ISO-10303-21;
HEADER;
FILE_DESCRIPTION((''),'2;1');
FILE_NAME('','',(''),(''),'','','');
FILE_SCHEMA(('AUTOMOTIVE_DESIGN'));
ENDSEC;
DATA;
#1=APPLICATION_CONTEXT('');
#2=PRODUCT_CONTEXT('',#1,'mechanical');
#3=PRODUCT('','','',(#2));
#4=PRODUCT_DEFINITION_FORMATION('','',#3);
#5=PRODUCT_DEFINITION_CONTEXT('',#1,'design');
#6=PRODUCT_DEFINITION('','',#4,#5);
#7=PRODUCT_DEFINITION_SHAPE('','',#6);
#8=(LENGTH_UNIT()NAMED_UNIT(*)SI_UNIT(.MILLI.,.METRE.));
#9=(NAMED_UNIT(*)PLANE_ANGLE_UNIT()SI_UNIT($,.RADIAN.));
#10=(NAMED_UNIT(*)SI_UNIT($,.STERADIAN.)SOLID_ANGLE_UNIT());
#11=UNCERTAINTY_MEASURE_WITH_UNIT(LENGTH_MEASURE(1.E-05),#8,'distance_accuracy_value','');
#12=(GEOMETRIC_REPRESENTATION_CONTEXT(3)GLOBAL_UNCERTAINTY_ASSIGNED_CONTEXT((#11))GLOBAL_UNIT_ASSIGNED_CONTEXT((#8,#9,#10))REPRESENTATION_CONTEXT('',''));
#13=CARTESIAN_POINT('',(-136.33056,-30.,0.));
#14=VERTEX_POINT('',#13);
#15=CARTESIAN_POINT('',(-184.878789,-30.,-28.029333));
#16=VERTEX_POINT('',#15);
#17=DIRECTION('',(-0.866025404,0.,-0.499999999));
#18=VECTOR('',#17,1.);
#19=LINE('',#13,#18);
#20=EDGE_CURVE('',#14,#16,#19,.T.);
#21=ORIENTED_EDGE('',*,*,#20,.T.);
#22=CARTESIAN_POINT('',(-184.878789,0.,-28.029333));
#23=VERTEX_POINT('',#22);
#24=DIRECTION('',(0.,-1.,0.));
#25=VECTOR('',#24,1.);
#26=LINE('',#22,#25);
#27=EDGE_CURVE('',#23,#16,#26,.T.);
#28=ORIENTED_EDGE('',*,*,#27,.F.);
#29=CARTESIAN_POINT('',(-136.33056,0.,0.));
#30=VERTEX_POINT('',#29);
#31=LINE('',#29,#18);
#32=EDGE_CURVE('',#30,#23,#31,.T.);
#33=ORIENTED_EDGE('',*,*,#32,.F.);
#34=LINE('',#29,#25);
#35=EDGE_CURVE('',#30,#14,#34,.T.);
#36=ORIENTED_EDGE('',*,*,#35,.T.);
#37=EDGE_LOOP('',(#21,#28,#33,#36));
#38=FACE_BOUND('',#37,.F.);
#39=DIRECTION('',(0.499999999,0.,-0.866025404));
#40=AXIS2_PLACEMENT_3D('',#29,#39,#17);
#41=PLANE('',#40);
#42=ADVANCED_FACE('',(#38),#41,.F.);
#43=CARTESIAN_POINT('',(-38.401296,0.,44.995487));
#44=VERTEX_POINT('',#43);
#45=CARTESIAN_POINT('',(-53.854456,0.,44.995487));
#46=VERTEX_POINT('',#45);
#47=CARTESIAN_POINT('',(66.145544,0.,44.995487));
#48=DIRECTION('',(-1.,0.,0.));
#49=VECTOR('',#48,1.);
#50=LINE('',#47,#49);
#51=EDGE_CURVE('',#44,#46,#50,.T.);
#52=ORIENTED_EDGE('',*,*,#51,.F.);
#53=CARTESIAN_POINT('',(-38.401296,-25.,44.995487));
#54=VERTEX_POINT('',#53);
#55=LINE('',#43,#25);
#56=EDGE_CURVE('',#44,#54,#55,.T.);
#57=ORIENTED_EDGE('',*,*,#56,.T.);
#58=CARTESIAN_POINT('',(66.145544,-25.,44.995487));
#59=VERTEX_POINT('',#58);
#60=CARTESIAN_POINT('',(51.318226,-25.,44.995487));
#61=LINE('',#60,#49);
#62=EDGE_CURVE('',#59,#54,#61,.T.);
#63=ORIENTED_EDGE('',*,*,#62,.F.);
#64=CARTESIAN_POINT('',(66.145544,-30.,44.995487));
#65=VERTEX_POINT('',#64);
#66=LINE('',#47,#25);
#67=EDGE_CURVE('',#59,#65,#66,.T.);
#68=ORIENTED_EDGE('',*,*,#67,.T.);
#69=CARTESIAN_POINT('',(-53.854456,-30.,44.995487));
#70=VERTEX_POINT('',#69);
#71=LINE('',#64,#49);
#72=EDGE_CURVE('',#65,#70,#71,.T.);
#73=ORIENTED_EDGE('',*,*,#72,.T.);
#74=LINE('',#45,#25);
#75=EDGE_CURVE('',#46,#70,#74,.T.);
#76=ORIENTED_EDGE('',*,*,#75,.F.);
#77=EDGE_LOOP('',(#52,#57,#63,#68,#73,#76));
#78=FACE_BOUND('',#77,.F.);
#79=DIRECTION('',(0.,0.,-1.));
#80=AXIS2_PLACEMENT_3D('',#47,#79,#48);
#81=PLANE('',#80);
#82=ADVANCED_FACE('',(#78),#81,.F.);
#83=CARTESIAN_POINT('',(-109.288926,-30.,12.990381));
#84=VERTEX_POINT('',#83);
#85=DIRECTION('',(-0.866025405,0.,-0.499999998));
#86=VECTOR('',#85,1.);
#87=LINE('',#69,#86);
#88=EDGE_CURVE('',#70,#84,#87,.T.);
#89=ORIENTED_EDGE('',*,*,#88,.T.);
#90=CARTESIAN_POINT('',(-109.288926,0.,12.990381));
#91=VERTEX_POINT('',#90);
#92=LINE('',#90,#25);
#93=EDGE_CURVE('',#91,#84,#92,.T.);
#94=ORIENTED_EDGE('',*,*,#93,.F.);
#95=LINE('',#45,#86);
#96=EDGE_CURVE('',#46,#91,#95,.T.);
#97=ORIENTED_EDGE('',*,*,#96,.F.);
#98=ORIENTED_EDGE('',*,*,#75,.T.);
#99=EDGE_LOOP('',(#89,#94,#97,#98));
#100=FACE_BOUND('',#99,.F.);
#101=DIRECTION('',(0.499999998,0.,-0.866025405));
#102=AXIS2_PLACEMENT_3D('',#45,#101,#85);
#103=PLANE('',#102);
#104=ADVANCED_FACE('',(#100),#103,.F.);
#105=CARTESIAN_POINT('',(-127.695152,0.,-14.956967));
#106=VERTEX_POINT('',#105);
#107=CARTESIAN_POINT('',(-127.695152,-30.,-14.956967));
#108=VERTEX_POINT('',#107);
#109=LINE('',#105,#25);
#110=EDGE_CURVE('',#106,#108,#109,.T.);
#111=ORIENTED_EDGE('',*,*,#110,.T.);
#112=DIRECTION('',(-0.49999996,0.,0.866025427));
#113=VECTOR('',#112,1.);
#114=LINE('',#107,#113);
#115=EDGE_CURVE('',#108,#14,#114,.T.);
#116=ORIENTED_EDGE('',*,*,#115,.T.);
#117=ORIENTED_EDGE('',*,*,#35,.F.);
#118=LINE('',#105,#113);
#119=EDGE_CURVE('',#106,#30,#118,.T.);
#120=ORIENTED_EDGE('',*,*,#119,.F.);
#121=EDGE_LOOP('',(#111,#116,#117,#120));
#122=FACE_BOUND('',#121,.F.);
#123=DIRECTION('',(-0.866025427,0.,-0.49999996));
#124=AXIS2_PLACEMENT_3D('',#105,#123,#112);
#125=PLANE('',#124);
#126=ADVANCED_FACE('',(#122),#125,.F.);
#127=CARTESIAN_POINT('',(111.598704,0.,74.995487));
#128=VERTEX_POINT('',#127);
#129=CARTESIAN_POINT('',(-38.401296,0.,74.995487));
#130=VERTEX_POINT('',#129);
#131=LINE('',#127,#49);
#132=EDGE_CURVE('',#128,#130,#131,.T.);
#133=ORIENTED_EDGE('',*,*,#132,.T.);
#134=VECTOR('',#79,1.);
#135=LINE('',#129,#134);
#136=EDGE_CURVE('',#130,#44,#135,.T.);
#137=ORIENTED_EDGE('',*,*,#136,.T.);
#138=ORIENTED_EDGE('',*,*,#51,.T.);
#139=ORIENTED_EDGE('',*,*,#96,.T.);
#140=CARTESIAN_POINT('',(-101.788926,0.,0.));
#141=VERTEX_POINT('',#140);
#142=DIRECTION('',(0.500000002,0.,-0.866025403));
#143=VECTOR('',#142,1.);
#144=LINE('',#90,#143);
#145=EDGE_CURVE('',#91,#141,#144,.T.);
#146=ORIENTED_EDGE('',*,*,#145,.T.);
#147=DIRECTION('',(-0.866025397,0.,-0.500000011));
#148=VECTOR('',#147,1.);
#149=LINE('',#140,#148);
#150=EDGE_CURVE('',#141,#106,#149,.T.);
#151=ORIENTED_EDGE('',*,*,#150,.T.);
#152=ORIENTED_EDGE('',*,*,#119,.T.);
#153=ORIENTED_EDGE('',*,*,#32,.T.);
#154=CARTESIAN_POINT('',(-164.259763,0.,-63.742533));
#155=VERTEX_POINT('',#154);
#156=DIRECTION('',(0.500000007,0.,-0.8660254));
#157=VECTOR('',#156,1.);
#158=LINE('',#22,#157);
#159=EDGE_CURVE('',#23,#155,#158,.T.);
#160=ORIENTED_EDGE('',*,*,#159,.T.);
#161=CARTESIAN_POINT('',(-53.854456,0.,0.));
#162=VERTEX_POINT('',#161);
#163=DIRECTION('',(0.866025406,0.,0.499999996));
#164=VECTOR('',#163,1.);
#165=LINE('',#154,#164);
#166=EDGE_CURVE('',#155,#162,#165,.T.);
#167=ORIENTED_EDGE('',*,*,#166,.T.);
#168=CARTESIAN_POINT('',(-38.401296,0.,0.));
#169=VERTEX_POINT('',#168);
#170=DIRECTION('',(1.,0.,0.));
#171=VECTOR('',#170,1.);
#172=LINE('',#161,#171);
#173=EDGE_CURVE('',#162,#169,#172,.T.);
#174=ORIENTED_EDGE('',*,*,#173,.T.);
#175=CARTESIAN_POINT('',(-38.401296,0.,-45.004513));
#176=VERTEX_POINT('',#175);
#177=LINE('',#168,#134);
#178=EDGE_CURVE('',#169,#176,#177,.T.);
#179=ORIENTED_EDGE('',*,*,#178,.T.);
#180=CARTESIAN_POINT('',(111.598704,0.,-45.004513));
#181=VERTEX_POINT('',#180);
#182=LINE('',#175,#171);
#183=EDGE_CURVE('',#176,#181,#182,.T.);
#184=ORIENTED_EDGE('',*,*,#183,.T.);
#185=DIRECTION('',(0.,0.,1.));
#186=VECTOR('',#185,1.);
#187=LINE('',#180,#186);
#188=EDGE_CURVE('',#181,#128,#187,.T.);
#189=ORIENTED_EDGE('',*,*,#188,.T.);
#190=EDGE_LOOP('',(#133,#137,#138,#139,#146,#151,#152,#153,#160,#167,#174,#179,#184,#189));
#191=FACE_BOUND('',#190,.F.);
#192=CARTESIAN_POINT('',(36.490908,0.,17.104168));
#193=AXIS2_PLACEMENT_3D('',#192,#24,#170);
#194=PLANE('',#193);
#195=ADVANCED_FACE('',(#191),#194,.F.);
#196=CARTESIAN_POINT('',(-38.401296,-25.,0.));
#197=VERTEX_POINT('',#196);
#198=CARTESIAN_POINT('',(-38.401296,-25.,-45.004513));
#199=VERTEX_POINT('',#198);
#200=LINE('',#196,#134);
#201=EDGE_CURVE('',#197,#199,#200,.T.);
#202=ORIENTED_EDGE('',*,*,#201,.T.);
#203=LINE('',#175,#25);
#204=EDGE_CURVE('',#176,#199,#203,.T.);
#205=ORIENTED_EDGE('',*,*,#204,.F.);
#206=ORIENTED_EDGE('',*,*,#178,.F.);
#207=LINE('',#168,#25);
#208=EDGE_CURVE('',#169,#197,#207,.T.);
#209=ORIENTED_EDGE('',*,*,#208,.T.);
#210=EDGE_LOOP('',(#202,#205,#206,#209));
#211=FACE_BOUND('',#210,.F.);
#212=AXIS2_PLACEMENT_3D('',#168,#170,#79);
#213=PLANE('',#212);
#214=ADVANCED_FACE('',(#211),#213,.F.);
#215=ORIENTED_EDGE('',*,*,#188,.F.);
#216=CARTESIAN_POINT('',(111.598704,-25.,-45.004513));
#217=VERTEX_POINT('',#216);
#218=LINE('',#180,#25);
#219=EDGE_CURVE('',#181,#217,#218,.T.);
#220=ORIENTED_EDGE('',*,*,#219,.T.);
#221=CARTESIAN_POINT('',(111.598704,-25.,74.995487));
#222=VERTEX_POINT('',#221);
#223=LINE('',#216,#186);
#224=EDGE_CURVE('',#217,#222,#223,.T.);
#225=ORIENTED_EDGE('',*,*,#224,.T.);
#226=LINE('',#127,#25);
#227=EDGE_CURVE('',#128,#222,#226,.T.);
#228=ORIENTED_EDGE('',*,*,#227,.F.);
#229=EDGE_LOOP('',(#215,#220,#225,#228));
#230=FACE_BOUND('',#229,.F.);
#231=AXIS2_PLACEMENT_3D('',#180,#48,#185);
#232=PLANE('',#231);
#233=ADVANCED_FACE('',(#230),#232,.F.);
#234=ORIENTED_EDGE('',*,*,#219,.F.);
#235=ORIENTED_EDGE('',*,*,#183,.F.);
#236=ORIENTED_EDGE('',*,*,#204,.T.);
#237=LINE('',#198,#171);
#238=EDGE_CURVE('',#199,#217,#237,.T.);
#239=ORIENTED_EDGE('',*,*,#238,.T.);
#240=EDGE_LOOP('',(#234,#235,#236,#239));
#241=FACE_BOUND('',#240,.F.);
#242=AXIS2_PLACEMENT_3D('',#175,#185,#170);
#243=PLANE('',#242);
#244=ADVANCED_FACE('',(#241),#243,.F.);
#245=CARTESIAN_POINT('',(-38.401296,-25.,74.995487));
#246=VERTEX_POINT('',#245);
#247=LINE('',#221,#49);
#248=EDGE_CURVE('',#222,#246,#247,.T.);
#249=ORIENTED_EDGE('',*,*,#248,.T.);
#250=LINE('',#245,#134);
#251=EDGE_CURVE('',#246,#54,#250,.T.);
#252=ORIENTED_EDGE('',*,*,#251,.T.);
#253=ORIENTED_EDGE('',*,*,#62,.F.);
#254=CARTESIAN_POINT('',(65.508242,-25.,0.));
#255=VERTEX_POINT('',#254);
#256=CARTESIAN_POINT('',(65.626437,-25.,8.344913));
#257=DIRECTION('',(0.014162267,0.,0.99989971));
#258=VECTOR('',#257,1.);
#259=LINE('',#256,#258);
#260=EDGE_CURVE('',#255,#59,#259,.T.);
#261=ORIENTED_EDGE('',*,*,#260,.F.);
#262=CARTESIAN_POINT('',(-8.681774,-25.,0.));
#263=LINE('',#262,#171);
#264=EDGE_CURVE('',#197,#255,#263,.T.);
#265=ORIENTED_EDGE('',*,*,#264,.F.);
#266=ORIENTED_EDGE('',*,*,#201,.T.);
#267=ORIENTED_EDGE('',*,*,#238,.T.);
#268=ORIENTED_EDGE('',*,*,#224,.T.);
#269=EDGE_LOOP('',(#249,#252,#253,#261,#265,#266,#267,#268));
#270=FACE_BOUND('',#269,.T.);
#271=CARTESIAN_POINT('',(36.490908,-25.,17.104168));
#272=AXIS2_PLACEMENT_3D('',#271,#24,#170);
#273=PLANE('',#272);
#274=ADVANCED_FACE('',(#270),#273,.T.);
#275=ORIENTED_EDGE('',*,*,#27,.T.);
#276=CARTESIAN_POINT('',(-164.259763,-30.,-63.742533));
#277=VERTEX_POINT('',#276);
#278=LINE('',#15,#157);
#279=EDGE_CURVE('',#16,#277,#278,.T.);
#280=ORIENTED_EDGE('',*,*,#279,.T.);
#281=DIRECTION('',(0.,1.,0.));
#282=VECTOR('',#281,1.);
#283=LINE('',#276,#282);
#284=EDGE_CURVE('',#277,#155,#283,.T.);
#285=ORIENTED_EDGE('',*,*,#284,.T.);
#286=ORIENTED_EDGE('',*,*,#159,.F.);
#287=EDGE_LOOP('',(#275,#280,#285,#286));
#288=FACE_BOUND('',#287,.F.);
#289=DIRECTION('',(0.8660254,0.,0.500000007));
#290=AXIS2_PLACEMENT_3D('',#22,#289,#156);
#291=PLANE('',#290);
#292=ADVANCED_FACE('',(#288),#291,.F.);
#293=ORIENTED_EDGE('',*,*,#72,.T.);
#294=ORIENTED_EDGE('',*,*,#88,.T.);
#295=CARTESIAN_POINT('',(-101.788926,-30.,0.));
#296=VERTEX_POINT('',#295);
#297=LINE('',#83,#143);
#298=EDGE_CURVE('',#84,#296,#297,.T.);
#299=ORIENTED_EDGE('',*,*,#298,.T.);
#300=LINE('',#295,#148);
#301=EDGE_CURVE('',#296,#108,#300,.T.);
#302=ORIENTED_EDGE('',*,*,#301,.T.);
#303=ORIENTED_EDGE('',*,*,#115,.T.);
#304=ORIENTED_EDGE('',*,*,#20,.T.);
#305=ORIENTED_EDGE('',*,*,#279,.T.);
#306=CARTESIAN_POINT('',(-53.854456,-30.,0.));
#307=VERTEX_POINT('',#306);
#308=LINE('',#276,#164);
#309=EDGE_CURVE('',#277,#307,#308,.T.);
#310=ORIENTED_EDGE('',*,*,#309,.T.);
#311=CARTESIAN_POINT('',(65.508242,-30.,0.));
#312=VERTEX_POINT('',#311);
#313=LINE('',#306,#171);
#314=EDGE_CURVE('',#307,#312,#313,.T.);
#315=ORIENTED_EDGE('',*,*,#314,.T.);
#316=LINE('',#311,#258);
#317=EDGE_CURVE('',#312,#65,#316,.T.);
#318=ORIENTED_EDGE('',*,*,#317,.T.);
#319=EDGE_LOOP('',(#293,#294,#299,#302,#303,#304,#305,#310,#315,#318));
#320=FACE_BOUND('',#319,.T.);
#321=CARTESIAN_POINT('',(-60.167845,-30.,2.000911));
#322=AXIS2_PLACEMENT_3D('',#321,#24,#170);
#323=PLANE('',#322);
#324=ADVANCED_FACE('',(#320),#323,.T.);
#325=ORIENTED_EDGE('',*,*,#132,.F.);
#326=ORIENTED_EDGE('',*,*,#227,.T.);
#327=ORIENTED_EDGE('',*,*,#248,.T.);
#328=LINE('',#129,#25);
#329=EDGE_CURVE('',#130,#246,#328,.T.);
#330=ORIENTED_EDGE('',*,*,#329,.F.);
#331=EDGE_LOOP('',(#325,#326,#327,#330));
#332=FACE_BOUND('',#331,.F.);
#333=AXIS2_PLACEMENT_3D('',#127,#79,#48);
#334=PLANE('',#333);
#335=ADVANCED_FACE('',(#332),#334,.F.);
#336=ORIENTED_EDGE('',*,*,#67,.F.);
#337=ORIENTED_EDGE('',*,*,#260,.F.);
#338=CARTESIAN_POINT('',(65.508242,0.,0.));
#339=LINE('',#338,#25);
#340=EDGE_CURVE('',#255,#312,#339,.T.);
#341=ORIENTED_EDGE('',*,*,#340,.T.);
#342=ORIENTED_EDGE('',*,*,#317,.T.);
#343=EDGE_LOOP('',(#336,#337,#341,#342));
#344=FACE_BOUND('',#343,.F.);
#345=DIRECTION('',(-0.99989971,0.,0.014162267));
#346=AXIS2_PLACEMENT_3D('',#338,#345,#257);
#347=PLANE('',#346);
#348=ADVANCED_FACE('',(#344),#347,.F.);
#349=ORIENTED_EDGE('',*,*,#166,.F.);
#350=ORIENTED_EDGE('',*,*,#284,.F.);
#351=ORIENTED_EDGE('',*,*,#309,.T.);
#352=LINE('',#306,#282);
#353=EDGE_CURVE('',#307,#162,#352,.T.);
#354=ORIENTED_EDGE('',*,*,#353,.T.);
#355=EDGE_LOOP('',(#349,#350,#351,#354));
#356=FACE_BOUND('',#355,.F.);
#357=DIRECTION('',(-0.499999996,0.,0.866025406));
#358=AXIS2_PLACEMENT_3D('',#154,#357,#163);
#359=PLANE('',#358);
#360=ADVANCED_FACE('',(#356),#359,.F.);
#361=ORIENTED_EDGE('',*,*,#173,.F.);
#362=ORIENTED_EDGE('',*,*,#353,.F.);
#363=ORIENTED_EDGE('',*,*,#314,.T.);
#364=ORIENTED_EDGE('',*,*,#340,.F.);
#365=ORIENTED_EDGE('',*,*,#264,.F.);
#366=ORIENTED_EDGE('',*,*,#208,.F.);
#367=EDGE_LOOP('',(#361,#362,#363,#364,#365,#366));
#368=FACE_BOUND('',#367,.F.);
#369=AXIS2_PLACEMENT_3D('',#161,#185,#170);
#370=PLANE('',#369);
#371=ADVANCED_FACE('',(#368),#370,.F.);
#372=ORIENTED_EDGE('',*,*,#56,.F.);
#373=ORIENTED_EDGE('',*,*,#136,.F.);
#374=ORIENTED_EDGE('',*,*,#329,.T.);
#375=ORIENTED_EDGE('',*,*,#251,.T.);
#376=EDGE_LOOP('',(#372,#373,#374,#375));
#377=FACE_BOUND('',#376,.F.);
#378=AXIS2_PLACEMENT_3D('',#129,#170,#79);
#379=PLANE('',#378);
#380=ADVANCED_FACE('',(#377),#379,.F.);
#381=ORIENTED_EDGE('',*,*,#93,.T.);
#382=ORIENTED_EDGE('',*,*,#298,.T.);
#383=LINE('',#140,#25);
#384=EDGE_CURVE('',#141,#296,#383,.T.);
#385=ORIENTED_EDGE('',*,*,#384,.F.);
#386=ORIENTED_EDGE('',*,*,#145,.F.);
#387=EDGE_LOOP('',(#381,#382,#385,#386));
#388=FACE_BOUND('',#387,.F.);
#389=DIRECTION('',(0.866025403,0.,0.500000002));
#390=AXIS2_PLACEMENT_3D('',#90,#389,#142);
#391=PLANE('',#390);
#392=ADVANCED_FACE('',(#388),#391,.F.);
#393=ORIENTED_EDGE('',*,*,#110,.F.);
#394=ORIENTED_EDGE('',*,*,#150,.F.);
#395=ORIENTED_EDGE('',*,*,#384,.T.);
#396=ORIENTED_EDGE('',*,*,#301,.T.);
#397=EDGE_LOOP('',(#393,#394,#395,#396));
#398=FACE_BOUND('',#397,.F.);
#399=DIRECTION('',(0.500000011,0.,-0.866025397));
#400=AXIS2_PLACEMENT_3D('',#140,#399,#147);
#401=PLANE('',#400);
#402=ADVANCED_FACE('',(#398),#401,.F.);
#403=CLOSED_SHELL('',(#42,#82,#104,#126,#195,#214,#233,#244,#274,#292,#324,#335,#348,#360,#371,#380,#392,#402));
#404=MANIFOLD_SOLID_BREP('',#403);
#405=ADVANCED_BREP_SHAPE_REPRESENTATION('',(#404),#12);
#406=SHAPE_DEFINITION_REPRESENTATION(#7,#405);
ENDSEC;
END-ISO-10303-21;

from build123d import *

# Parameters (mm, degrees)
F1_DEPTH = 30
F2_DEPTH = 25


with BuildPart() as f1:
    # F0 (on Front) → F1 (new body)
    with BuildSketch(Plane.XZ):
        Polygon((-38.401296, 0), (65.508242, 0), (66.145544, 44.995487), (-38.401296, 44.995487), (-53.854456, 44.995487), (-109.288926, 12.990381), (-101.788926, 0), (-127.695152, -14.956967), (-136.33056, 0), (-184.878789, -28.029333), (-164.259763, -63.742533), (-53.854456, 0), align=None)
    extrude(amount=F1_DEPTH)

    # F0 (on Front) → F2 (join)
    with BuildSketch(Plane.XZ):
        Polygon((66.145544, 44.995487), (65.508242, 0), (-38.401296, 0), (-38.401296, -45.004513), (111.598704, -45.004513), (111.598704, 74.995487), (-38.401296, 74.995487), (-38.401296, 44.995487), align=None)
        Polygon((-38.401296, 0), (65.508242, 0), (66.145544, 44.995487), (-38.401296, 44.995487), (-53.854456, 44.995487), (-109.288926, 12.990381), (-101.788926, 0), (-127.695152, -14.956967), (-136.33056, 0), (-184.878789, -28.029333), (-164.259763, -63.742533), (-53.854456, 0), align=None)
    extrude(amount=F2_DEPTH)


solid = f1.part
